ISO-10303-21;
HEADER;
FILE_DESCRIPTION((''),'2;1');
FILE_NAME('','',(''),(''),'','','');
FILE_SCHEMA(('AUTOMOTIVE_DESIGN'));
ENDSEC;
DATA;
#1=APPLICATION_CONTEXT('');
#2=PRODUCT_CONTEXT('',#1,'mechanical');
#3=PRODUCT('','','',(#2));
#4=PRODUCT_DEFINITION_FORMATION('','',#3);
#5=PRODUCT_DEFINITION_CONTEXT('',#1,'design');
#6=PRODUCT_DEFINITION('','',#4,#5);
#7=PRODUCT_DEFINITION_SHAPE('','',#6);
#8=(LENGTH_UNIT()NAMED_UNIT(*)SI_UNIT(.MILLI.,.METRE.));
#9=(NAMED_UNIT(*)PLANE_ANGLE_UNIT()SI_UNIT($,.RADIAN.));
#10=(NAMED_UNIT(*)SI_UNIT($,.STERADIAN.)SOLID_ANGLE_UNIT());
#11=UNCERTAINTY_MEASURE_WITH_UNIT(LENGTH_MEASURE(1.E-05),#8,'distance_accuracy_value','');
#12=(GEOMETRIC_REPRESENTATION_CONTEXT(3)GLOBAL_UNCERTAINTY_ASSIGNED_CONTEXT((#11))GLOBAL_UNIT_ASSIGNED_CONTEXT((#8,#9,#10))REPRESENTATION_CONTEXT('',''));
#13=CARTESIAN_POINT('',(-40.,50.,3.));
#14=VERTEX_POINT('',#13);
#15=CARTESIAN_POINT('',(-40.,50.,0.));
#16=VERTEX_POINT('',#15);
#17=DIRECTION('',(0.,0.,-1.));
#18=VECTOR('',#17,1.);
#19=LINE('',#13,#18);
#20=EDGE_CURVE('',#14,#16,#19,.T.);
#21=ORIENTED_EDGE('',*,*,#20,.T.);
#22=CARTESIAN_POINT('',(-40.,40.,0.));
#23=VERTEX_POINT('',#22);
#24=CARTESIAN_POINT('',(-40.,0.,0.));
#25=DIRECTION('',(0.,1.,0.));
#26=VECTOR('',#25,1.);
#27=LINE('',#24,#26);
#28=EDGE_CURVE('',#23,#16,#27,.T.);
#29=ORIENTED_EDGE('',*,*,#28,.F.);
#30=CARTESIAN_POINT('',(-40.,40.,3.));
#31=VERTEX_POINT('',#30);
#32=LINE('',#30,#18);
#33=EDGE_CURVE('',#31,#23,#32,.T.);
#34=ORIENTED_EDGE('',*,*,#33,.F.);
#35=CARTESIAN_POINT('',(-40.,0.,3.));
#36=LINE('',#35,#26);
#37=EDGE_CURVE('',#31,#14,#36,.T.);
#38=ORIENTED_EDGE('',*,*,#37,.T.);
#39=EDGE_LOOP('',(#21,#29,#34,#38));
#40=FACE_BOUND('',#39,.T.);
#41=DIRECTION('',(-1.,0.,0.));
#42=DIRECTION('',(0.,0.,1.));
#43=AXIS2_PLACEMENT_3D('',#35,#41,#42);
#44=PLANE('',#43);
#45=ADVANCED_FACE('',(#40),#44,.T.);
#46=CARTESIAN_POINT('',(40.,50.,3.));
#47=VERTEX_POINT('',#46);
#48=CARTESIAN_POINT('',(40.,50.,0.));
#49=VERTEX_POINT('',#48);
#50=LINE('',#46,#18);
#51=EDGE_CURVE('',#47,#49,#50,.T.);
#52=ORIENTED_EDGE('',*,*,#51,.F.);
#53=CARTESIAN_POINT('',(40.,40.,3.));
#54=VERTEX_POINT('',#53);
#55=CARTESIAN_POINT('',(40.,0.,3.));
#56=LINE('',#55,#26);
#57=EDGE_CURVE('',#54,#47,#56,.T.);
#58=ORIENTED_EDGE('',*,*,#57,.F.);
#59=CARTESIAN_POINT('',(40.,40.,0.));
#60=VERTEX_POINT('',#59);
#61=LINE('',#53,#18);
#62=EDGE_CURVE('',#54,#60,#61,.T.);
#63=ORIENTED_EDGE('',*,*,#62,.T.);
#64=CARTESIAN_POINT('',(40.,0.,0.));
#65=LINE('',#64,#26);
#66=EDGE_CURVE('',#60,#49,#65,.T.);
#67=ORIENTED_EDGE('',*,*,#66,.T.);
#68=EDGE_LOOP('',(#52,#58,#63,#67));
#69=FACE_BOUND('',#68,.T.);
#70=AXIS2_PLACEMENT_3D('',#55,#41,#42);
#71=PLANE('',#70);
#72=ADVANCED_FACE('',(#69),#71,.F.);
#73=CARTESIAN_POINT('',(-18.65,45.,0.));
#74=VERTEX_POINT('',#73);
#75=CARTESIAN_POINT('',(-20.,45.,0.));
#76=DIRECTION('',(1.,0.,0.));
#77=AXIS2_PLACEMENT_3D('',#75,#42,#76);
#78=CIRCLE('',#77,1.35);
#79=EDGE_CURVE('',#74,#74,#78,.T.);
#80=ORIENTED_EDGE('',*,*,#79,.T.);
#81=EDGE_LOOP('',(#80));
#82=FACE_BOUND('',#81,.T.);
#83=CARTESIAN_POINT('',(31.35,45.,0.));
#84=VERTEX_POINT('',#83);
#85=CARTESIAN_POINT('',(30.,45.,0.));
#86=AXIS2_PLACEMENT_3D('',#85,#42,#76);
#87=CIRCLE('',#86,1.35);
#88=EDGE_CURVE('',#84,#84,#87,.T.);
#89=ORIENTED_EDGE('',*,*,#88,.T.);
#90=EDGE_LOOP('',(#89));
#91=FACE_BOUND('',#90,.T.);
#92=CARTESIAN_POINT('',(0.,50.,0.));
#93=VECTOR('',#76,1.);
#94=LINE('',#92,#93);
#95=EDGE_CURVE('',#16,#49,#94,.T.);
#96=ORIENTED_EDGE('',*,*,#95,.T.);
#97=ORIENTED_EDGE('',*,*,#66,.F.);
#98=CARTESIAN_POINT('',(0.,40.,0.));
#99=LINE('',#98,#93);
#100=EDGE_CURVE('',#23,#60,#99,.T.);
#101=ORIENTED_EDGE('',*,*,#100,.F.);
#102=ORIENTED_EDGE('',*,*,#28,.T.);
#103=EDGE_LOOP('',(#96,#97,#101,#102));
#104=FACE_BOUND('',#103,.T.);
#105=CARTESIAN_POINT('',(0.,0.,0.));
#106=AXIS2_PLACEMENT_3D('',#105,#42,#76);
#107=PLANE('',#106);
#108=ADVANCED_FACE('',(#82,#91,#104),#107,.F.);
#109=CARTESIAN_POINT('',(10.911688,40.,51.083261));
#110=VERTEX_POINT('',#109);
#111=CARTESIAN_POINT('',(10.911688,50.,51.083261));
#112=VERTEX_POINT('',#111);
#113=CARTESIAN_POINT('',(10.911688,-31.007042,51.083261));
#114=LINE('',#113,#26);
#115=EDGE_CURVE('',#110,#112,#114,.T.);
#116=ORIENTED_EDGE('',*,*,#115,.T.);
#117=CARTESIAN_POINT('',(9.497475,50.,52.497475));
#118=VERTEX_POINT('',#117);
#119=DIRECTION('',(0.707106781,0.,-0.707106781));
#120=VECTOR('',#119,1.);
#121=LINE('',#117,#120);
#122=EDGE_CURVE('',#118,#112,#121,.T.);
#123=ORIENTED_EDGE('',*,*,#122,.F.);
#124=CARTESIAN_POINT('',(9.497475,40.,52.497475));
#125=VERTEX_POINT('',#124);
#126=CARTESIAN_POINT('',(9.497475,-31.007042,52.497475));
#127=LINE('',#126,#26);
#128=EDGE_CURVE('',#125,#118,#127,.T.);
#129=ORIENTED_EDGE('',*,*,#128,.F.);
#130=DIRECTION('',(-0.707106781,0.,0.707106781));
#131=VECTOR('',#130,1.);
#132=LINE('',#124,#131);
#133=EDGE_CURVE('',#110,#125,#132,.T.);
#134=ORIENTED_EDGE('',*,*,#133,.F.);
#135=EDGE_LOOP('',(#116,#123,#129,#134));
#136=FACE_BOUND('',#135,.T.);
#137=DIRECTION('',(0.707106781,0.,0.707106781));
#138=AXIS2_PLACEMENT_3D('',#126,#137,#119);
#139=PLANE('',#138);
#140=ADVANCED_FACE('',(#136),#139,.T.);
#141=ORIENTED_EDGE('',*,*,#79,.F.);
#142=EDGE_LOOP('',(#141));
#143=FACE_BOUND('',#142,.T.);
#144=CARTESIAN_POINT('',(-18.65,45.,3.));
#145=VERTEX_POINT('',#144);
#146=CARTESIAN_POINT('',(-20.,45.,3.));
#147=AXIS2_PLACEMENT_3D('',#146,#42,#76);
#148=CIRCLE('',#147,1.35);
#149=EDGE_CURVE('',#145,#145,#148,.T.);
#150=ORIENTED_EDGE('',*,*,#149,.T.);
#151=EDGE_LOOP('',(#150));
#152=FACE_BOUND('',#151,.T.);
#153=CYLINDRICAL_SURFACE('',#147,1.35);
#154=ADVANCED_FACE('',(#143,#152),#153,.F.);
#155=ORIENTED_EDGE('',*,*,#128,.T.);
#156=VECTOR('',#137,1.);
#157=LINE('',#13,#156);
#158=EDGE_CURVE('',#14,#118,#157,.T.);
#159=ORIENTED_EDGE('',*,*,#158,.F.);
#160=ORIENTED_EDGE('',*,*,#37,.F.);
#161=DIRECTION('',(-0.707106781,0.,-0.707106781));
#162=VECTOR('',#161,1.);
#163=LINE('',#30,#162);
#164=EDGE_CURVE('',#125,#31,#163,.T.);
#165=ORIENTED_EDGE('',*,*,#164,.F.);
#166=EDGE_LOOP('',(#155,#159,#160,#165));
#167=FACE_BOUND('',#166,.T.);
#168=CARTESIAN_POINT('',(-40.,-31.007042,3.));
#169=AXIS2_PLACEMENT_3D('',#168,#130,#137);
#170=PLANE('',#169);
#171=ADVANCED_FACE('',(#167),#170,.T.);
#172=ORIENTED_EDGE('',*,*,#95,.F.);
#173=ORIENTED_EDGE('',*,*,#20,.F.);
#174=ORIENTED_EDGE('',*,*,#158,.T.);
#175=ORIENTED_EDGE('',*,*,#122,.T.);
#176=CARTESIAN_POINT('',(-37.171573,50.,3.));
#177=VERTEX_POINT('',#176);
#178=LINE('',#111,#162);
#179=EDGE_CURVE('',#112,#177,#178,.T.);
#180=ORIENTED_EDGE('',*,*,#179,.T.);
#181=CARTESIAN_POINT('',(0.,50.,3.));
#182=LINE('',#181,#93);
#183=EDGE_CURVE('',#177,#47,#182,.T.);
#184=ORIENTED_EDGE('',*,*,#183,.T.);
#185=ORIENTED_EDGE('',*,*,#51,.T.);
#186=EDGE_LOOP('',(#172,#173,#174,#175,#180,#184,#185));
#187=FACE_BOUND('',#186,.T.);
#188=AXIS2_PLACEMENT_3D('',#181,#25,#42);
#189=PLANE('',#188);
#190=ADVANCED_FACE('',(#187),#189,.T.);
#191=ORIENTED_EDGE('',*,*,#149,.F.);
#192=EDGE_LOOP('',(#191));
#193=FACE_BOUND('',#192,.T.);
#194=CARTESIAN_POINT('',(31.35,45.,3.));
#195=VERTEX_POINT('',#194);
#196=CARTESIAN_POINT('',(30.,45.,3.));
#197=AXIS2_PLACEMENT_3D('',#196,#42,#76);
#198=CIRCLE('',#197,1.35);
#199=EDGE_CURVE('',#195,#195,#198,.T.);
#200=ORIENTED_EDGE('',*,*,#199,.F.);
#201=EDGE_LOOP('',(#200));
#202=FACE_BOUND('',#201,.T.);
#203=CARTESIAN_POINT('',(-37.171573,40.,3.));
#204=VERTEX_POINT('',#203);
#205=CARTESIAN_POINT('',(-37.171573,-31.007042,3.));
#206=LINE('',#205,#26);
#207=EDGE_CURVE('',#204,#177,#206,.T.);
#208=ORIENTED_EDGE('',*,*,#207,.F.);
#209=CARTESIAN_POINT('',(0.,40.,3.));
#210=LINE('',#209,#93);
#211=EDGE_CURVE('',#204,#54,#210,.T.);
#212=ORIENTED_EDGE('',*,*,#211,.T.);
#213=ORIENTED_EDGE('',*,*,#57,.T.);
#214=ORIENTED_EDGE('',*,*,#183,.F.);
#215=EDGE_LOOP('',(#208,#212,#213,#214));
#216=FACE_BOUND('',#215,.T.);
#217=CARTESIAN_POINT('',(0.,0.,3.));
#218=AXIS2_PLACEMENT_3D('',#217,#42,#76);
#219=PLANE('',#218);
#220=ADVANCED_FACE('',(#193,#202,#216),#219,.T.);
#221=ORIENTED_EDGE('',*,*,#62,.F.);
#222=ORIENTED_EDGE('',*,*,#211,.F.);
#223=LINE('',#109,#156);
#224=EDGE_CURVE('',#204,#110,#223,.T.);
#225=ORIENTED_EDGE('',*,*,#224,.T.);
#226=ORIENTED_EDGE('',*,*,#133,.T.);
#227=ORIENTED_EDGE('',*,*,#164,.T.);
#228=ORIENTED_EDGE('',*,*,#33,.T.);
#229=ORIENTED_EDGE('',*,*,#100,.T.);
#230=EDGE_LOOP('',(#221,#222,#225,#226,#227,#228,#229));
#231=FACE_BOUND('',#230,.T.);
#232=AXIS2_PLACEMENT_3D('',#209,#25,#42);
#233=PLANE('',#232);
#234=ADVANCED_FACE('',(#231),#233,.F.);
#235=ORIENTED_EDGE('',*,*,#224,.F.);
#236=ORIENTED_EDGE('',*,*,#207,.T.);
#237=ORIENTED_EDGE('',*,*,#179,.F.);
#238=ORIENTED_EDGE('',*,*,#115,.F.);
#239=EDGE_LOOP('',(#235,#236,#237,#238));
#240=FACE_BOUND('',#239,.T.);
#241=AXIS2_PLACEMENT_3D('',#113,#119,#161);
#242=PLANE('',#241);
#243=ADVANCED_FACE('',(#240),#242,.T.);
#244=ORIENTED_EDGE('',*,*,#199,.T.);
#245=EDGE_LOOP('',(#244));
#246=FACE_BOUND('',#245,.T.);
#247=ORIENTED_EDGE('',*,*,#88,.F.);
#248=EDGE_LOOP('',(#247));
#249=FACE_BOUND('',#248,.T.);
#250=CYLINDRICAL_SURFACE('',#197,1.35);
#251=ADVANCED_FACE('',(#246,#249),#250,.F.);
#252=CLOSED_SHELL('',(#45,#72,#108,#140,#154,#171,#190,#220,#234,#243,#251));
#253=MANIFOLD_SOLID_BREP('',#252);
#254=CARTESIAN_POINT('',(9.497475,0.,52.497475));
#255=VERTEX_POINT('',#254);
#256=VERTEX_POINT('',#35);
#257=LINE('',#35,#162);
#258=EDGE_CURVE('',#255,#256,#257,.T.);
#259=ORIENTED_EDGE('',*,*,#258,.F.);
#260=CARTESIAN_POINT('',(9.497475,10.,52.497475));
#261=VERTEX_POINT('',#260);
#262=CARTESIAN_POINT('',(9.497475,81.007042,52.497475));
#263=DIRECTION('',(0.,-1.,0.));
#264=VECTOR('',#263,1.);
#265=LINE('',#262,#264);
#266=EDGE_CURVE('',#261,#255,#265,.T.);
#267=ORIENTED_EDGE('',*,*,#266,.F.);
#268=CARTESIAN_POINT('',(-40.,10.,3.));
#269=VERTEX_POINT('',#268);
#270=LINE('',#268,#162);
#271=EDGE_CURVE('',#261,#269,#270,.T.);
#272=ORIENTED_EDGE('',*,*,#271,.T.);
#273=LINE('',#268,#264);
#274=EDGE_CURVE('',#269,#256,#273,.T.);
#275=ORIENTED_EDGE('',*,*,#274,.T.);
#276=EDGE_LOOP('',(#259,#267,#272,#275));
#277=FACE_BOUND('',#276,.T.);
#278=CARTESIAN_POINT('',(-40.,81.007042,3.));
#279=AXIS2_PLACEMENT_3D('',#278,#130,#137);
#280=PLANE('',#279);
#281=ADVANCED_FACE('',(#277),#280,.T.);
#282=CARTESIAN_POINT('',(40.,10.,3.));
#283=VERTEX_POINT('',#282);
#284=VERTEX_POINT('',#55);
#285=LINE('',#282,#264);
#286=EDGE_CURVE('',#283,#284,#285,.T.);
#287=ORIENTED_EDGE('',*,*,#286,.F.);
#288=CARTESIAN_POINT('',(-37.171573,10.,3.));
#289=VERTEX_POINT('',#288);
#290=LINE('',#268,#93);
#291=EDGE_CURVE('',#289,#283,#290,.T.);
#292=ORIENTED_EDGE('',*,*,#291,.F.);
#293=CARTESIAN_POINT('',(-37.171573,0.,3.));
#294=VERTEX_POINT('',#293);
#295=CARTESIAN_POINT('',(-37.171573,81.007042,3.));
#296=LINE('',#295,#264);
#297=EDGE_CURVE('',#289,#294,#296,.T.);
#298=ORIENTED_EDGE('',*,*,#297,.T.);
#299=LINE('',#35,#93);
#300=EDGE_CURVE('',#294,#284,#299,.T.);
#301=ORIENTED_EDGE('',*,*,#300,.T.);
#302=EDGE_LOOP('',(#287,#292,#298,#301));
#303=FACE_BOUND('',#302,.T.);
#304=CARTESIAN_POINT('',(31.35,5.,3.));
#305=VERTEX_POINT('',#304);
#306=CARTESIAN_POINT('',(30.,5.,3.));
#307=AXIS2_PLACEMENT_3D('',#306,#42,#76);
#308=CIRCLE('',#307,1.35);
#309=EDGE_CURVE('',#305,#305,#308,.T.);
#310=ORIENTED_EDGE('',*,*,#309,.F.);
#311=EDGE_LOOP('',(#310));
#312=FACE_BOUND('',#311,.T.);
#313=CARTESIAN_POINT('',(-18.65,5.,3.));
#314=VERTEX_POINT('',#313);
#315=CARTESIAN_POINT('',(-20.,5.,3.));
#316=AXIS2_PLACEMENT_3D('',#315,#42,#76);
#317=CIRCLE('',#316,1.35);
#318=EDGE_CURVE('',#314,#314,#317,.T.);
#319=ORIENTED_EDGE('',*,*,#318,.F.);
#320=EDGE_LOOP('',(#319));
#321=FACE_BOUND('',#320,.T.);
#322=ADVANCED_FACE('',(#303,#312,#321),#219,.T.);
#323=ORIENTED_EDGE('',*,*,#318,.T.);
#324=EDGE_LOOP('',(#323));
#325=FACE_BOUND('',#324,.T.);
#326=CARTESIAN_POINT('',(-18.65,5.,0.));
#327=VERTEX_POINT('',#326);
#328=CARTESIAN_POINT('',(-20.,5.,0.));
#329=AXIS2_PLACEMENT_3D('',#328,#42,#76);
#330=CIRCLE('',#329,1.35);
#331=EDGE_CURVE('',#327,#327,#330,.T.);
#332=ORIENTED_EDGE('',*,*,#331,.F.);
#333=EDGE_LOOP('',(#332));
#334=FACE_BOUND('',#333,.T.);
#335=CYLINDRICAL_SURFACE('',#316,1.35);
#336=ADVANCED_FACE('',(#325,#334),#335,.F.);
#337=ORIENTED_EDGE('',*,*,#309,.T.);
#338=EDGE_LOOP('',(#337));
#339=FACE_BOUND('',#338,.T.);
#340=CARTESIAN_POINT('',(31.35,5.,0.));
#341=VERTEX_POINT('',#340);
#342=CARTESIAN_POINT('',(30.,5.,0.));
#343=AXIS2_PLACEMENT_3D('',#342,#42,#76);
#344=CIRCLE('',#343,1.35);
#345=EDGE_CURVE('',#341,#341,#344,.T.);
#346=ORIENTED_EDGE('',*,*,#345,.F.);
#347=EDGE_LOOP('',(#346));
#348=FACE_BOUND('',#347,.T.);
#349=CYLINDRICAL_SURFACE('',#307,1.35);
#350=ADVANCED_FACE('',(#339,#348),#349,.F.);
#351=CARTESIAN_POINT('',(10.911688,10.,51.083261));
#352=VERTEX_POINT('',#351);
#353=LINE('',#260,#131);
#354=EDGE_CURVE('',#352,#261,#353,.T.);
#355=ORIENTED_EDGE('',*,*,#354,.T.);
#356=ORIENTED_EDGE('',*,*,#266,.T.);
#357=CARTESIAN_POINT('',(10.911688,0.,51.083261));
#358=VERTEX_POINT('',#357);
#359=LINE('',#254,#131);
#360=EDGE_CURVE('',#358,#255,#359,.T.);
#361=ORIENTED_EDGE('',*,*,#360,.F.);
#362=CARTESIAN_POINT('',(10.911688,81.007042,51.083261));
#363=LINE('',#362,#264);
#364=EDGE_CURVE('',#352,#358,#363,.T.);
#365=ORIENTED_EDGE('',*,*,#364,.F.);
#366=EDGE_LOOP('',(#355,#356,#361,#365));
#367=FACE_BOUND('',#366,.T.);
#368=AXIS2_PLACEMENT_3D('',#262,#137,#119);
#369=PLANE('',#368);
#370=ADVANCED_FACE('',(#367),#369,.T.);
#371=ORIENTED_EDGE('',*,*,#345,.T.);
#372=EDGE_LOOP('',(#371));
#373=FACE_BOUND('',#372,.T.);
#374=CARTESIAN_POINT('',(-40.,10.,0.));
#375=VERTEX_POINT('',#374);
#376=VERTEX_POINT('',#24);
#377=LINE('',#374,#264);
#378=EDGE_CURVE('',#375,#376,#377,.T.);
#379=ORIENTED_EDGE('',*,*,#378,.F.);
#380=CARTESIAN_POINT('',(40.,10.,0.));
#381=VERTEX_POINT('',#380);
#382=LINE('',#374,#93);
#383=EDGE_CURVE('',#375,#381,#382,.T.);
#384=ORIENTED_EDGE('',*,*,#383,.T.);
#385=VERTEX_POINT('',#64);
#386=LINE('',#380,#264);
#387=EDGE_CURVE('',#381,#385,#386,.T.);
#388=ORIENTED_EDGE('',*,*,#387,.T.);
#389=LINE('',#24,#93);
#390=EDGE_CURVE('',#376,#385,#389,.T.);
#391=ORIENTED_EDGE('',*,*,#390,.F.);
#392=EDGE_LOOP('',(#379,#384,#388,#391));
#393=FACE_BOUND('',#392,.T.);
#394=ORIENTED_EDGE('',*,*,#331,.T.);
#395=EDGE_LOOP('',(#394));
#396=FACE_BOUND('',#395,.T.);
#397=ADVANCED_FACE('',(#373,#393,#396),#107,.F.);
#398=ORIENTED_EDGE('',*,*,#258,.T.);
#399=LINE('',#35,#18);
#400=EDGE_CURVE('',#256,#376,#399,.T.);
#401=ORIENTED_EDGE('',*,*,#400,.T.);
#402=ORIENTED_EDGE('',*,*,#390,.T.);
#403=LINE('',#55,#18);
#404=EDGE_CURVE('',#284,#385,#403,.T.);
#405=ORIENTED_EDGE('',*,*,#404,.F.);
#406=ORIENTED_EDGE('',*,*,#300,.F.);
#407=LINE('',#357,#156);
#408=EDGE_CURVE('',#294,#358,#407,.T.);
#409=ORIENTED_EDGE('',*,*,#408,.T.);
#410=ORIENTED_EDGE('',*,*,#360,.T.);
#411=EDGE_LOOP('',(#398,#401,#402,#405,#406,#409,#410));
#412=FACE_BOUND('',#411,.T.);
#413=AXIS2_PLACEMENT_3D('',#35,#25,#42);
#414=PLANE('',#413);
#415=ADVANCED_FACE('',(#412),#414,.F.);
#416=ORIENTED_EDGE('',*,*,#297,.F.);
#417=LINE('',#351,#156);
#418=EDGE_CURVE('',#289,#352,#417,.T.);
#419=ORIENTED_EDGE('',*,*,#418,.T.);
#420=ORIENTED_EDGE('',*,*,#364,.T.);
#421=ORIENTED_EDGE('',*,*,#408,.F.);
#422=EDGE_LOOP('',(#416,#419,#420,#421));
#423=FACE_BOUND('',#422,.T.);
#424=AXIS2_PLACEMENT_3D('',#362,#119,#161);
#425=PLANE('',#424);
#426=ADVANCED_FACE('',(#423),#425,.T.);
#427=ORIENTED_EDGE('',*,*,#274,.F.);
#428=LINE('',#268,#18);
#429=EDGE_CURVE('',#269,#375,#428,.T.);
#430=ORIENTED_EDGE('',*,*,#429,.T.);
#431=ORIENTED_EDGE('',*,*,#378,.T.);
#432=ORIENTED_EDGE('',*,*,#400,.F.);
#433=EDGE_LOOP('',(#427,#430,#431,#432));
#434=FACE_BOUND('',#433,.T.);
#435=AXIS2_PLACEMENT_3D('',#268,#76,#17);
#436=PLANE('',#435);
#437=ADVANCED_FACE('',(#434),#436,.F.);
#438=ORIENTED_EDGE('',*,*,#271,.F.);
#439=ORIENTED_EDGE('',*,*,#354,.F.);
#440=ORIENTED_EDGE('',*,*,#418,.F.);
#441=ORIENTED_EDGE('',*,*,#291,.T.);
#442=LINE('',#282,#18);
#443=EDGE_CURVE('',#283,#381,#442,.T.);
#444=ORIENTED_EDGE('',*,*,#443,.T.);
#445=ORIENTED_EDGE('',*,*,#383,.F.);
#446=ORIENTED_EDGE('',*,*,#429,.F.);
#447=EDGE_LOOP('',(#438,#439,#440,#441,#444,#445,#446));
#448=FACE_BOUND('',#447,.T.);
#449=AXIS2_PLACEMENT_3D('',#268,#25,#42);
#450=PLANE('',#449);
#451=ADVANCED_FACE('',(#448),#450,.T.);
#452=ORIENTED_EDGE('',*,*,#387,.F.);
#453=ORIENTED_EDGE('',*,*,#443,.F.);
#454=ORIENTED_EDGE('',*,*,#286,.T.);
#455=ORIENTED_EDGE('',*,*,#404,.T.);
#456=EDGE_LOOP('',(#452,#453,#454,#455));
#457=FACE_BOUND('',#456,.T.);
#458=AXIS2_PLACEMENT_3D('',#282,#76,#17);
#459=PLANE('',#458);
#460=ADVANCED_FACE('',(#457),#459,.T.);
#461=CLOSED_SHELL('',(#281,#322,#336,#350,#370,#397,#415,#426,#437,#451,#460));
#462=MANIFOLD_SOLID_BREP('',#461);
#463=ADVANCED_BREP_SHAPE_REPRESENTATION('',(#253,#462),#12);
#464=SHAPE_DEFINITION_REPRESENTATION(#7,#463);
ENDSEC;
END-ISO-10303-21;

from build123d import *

# Parameters (mm, degrees)
CROQUIS1_W                              = 80
CROQUIS1_H                              = 10
SALIENTE_EXTRUIR1_DEPTH                 = 3
SALIENTE_EXTRUIR1_2_DEPTH               = 3
SALIENTE_EXTRUIR2_DEPTH                 = 10
SALIENTE_EXTRUIR3_DEPTH                 = 10
CROQUIS8_W                              = 1.35
CROQUIS8_H                              = 3
TALADRO_DE_MARGEN_PARA_M2_52_AT_2_COUNT = 2
TALADRO_DE_MARGEN_PARA_M2_52_AT_2_PITCH = 50
TALADRO_DE_MARGEN_PARA_M2_52_AT_3_COUNT = 2
TALADRO_DE_MARGEN_PARA_M2_52_AT_3_PITCH = 64.031242374
TALADRO_DE_MARGEN_PARA_M2_52_AT_4_COUNT = 2
TALADRO_DE_MARGEN_PARA_M2_52_AT_4_PITCH = 40


with BuildPart() as part:
    # Croquis1 → Saliente-Extruir1 (new body)
    with BuildSketch(Plane.XY):
        with Locations((0, 45)):
            Rectangle(CROQUIS1_W, CROQUIS1_H)
    extrude(amount=SALIENTE_EXTRUIR1_DEPTH)

    # Croquis3 → Saliente-Extruir3 (add)
    with BuildSketch(Plane(origin=(0, 50, 0), x_dir=(1, 0, 0), z_dir=(0, 1, 0))):
        Polygon((-40, -3), (9.497474683, -52.497474683), (10.911688245, -51.083261121), (-37.171572875, -3), align=None)
    extrude(amount=-SALIENTE_EXTRUIR3_DEPTH)

    # Croquis8 → Taladro de margen para M2.52 (revolve, cut)
    with BuildSketch(Plane(origin=(-20, 45, 3), x_dir=(0, -1, 0), z_dir=(1, 0, 0))):
        with Locations((0.675, 1.5)):
            Rectangle(CROQUIS8_W, CROQUIS8_H)
    taladro_de_margen_para_m2_52 = revolve(axis=Axis((-20, 45, 9.35), (0, 0, -1)), mode=Mode.SUBTRACT)

    # Taladro de margen para M2.52 at 2: Taladro de margen para M2.52 ×2
    with Locations(*[(i * TALADRO_DE_MARGEN_PARA_M2_52_AT_2_PITCH, 0, 0) for i in range(1, TALADRO_DE_MARGEN_PARA_M2_52_AT_2_COUNT)]):
        add(taladro_de_margen_para_m2_52, mode=Mode.SUBTRACT)


with BuildPart() as body_2:
    # Croquis1 → Saliente-Extruir1 2 (new body)
    with BuildSketch(Plane.XY):
        with Locations((0, 5)):
            Rectangle(CROQUIS1_W, CROQUIS1_H)
    extrude(amount=SALIENTE_EXTRUIR1_2_DEPTH)

    # Croquis2 → Saliente-Extruir2 (add)
    with BuildSketch(Plane.XZ):
        Polygon((-40, 3), (9.497474683, 52.497474683), (10.911688245, 51.083261121), (-37.171572875, 3), align=None)
    extrude(amount=-SALIENTE_EXTRUIR2_DEPTH)

    # Taladro de margen para M2.52 at 3: Taladro de margen para M2.52 ×2
    with Locations(*[Vector(0.7808688094430303, -0.6246950475544244, 0) * (i * TALADRO_DE_MARGEN_PARA_M2_52_AT_3_PITCH) for i in range(1, TALADRO_DE_MARGEN_PARA_M2_52_AT_3_COUNT)]):
        add(taladro_de_margen_para_m2_52, mode=Mode.SUBTRACT)

    # Taladro de margen para M2.52 at 4: Taladro de margen para M2.52 ×2
    with Locations(*[(0, -i * TALADRO_DE_MARGEN_PARA_M2_52_AT_4_PITCH, 0) for i in range(1, TALADRO_DE_MARGEN_PARA_M2_52_AT_4_COUNT)]):
        add(taladro_de_margen_para_m2_52, mode=Mode.SUBTRACT)


solid = Compound([part.part, body_2.part])
